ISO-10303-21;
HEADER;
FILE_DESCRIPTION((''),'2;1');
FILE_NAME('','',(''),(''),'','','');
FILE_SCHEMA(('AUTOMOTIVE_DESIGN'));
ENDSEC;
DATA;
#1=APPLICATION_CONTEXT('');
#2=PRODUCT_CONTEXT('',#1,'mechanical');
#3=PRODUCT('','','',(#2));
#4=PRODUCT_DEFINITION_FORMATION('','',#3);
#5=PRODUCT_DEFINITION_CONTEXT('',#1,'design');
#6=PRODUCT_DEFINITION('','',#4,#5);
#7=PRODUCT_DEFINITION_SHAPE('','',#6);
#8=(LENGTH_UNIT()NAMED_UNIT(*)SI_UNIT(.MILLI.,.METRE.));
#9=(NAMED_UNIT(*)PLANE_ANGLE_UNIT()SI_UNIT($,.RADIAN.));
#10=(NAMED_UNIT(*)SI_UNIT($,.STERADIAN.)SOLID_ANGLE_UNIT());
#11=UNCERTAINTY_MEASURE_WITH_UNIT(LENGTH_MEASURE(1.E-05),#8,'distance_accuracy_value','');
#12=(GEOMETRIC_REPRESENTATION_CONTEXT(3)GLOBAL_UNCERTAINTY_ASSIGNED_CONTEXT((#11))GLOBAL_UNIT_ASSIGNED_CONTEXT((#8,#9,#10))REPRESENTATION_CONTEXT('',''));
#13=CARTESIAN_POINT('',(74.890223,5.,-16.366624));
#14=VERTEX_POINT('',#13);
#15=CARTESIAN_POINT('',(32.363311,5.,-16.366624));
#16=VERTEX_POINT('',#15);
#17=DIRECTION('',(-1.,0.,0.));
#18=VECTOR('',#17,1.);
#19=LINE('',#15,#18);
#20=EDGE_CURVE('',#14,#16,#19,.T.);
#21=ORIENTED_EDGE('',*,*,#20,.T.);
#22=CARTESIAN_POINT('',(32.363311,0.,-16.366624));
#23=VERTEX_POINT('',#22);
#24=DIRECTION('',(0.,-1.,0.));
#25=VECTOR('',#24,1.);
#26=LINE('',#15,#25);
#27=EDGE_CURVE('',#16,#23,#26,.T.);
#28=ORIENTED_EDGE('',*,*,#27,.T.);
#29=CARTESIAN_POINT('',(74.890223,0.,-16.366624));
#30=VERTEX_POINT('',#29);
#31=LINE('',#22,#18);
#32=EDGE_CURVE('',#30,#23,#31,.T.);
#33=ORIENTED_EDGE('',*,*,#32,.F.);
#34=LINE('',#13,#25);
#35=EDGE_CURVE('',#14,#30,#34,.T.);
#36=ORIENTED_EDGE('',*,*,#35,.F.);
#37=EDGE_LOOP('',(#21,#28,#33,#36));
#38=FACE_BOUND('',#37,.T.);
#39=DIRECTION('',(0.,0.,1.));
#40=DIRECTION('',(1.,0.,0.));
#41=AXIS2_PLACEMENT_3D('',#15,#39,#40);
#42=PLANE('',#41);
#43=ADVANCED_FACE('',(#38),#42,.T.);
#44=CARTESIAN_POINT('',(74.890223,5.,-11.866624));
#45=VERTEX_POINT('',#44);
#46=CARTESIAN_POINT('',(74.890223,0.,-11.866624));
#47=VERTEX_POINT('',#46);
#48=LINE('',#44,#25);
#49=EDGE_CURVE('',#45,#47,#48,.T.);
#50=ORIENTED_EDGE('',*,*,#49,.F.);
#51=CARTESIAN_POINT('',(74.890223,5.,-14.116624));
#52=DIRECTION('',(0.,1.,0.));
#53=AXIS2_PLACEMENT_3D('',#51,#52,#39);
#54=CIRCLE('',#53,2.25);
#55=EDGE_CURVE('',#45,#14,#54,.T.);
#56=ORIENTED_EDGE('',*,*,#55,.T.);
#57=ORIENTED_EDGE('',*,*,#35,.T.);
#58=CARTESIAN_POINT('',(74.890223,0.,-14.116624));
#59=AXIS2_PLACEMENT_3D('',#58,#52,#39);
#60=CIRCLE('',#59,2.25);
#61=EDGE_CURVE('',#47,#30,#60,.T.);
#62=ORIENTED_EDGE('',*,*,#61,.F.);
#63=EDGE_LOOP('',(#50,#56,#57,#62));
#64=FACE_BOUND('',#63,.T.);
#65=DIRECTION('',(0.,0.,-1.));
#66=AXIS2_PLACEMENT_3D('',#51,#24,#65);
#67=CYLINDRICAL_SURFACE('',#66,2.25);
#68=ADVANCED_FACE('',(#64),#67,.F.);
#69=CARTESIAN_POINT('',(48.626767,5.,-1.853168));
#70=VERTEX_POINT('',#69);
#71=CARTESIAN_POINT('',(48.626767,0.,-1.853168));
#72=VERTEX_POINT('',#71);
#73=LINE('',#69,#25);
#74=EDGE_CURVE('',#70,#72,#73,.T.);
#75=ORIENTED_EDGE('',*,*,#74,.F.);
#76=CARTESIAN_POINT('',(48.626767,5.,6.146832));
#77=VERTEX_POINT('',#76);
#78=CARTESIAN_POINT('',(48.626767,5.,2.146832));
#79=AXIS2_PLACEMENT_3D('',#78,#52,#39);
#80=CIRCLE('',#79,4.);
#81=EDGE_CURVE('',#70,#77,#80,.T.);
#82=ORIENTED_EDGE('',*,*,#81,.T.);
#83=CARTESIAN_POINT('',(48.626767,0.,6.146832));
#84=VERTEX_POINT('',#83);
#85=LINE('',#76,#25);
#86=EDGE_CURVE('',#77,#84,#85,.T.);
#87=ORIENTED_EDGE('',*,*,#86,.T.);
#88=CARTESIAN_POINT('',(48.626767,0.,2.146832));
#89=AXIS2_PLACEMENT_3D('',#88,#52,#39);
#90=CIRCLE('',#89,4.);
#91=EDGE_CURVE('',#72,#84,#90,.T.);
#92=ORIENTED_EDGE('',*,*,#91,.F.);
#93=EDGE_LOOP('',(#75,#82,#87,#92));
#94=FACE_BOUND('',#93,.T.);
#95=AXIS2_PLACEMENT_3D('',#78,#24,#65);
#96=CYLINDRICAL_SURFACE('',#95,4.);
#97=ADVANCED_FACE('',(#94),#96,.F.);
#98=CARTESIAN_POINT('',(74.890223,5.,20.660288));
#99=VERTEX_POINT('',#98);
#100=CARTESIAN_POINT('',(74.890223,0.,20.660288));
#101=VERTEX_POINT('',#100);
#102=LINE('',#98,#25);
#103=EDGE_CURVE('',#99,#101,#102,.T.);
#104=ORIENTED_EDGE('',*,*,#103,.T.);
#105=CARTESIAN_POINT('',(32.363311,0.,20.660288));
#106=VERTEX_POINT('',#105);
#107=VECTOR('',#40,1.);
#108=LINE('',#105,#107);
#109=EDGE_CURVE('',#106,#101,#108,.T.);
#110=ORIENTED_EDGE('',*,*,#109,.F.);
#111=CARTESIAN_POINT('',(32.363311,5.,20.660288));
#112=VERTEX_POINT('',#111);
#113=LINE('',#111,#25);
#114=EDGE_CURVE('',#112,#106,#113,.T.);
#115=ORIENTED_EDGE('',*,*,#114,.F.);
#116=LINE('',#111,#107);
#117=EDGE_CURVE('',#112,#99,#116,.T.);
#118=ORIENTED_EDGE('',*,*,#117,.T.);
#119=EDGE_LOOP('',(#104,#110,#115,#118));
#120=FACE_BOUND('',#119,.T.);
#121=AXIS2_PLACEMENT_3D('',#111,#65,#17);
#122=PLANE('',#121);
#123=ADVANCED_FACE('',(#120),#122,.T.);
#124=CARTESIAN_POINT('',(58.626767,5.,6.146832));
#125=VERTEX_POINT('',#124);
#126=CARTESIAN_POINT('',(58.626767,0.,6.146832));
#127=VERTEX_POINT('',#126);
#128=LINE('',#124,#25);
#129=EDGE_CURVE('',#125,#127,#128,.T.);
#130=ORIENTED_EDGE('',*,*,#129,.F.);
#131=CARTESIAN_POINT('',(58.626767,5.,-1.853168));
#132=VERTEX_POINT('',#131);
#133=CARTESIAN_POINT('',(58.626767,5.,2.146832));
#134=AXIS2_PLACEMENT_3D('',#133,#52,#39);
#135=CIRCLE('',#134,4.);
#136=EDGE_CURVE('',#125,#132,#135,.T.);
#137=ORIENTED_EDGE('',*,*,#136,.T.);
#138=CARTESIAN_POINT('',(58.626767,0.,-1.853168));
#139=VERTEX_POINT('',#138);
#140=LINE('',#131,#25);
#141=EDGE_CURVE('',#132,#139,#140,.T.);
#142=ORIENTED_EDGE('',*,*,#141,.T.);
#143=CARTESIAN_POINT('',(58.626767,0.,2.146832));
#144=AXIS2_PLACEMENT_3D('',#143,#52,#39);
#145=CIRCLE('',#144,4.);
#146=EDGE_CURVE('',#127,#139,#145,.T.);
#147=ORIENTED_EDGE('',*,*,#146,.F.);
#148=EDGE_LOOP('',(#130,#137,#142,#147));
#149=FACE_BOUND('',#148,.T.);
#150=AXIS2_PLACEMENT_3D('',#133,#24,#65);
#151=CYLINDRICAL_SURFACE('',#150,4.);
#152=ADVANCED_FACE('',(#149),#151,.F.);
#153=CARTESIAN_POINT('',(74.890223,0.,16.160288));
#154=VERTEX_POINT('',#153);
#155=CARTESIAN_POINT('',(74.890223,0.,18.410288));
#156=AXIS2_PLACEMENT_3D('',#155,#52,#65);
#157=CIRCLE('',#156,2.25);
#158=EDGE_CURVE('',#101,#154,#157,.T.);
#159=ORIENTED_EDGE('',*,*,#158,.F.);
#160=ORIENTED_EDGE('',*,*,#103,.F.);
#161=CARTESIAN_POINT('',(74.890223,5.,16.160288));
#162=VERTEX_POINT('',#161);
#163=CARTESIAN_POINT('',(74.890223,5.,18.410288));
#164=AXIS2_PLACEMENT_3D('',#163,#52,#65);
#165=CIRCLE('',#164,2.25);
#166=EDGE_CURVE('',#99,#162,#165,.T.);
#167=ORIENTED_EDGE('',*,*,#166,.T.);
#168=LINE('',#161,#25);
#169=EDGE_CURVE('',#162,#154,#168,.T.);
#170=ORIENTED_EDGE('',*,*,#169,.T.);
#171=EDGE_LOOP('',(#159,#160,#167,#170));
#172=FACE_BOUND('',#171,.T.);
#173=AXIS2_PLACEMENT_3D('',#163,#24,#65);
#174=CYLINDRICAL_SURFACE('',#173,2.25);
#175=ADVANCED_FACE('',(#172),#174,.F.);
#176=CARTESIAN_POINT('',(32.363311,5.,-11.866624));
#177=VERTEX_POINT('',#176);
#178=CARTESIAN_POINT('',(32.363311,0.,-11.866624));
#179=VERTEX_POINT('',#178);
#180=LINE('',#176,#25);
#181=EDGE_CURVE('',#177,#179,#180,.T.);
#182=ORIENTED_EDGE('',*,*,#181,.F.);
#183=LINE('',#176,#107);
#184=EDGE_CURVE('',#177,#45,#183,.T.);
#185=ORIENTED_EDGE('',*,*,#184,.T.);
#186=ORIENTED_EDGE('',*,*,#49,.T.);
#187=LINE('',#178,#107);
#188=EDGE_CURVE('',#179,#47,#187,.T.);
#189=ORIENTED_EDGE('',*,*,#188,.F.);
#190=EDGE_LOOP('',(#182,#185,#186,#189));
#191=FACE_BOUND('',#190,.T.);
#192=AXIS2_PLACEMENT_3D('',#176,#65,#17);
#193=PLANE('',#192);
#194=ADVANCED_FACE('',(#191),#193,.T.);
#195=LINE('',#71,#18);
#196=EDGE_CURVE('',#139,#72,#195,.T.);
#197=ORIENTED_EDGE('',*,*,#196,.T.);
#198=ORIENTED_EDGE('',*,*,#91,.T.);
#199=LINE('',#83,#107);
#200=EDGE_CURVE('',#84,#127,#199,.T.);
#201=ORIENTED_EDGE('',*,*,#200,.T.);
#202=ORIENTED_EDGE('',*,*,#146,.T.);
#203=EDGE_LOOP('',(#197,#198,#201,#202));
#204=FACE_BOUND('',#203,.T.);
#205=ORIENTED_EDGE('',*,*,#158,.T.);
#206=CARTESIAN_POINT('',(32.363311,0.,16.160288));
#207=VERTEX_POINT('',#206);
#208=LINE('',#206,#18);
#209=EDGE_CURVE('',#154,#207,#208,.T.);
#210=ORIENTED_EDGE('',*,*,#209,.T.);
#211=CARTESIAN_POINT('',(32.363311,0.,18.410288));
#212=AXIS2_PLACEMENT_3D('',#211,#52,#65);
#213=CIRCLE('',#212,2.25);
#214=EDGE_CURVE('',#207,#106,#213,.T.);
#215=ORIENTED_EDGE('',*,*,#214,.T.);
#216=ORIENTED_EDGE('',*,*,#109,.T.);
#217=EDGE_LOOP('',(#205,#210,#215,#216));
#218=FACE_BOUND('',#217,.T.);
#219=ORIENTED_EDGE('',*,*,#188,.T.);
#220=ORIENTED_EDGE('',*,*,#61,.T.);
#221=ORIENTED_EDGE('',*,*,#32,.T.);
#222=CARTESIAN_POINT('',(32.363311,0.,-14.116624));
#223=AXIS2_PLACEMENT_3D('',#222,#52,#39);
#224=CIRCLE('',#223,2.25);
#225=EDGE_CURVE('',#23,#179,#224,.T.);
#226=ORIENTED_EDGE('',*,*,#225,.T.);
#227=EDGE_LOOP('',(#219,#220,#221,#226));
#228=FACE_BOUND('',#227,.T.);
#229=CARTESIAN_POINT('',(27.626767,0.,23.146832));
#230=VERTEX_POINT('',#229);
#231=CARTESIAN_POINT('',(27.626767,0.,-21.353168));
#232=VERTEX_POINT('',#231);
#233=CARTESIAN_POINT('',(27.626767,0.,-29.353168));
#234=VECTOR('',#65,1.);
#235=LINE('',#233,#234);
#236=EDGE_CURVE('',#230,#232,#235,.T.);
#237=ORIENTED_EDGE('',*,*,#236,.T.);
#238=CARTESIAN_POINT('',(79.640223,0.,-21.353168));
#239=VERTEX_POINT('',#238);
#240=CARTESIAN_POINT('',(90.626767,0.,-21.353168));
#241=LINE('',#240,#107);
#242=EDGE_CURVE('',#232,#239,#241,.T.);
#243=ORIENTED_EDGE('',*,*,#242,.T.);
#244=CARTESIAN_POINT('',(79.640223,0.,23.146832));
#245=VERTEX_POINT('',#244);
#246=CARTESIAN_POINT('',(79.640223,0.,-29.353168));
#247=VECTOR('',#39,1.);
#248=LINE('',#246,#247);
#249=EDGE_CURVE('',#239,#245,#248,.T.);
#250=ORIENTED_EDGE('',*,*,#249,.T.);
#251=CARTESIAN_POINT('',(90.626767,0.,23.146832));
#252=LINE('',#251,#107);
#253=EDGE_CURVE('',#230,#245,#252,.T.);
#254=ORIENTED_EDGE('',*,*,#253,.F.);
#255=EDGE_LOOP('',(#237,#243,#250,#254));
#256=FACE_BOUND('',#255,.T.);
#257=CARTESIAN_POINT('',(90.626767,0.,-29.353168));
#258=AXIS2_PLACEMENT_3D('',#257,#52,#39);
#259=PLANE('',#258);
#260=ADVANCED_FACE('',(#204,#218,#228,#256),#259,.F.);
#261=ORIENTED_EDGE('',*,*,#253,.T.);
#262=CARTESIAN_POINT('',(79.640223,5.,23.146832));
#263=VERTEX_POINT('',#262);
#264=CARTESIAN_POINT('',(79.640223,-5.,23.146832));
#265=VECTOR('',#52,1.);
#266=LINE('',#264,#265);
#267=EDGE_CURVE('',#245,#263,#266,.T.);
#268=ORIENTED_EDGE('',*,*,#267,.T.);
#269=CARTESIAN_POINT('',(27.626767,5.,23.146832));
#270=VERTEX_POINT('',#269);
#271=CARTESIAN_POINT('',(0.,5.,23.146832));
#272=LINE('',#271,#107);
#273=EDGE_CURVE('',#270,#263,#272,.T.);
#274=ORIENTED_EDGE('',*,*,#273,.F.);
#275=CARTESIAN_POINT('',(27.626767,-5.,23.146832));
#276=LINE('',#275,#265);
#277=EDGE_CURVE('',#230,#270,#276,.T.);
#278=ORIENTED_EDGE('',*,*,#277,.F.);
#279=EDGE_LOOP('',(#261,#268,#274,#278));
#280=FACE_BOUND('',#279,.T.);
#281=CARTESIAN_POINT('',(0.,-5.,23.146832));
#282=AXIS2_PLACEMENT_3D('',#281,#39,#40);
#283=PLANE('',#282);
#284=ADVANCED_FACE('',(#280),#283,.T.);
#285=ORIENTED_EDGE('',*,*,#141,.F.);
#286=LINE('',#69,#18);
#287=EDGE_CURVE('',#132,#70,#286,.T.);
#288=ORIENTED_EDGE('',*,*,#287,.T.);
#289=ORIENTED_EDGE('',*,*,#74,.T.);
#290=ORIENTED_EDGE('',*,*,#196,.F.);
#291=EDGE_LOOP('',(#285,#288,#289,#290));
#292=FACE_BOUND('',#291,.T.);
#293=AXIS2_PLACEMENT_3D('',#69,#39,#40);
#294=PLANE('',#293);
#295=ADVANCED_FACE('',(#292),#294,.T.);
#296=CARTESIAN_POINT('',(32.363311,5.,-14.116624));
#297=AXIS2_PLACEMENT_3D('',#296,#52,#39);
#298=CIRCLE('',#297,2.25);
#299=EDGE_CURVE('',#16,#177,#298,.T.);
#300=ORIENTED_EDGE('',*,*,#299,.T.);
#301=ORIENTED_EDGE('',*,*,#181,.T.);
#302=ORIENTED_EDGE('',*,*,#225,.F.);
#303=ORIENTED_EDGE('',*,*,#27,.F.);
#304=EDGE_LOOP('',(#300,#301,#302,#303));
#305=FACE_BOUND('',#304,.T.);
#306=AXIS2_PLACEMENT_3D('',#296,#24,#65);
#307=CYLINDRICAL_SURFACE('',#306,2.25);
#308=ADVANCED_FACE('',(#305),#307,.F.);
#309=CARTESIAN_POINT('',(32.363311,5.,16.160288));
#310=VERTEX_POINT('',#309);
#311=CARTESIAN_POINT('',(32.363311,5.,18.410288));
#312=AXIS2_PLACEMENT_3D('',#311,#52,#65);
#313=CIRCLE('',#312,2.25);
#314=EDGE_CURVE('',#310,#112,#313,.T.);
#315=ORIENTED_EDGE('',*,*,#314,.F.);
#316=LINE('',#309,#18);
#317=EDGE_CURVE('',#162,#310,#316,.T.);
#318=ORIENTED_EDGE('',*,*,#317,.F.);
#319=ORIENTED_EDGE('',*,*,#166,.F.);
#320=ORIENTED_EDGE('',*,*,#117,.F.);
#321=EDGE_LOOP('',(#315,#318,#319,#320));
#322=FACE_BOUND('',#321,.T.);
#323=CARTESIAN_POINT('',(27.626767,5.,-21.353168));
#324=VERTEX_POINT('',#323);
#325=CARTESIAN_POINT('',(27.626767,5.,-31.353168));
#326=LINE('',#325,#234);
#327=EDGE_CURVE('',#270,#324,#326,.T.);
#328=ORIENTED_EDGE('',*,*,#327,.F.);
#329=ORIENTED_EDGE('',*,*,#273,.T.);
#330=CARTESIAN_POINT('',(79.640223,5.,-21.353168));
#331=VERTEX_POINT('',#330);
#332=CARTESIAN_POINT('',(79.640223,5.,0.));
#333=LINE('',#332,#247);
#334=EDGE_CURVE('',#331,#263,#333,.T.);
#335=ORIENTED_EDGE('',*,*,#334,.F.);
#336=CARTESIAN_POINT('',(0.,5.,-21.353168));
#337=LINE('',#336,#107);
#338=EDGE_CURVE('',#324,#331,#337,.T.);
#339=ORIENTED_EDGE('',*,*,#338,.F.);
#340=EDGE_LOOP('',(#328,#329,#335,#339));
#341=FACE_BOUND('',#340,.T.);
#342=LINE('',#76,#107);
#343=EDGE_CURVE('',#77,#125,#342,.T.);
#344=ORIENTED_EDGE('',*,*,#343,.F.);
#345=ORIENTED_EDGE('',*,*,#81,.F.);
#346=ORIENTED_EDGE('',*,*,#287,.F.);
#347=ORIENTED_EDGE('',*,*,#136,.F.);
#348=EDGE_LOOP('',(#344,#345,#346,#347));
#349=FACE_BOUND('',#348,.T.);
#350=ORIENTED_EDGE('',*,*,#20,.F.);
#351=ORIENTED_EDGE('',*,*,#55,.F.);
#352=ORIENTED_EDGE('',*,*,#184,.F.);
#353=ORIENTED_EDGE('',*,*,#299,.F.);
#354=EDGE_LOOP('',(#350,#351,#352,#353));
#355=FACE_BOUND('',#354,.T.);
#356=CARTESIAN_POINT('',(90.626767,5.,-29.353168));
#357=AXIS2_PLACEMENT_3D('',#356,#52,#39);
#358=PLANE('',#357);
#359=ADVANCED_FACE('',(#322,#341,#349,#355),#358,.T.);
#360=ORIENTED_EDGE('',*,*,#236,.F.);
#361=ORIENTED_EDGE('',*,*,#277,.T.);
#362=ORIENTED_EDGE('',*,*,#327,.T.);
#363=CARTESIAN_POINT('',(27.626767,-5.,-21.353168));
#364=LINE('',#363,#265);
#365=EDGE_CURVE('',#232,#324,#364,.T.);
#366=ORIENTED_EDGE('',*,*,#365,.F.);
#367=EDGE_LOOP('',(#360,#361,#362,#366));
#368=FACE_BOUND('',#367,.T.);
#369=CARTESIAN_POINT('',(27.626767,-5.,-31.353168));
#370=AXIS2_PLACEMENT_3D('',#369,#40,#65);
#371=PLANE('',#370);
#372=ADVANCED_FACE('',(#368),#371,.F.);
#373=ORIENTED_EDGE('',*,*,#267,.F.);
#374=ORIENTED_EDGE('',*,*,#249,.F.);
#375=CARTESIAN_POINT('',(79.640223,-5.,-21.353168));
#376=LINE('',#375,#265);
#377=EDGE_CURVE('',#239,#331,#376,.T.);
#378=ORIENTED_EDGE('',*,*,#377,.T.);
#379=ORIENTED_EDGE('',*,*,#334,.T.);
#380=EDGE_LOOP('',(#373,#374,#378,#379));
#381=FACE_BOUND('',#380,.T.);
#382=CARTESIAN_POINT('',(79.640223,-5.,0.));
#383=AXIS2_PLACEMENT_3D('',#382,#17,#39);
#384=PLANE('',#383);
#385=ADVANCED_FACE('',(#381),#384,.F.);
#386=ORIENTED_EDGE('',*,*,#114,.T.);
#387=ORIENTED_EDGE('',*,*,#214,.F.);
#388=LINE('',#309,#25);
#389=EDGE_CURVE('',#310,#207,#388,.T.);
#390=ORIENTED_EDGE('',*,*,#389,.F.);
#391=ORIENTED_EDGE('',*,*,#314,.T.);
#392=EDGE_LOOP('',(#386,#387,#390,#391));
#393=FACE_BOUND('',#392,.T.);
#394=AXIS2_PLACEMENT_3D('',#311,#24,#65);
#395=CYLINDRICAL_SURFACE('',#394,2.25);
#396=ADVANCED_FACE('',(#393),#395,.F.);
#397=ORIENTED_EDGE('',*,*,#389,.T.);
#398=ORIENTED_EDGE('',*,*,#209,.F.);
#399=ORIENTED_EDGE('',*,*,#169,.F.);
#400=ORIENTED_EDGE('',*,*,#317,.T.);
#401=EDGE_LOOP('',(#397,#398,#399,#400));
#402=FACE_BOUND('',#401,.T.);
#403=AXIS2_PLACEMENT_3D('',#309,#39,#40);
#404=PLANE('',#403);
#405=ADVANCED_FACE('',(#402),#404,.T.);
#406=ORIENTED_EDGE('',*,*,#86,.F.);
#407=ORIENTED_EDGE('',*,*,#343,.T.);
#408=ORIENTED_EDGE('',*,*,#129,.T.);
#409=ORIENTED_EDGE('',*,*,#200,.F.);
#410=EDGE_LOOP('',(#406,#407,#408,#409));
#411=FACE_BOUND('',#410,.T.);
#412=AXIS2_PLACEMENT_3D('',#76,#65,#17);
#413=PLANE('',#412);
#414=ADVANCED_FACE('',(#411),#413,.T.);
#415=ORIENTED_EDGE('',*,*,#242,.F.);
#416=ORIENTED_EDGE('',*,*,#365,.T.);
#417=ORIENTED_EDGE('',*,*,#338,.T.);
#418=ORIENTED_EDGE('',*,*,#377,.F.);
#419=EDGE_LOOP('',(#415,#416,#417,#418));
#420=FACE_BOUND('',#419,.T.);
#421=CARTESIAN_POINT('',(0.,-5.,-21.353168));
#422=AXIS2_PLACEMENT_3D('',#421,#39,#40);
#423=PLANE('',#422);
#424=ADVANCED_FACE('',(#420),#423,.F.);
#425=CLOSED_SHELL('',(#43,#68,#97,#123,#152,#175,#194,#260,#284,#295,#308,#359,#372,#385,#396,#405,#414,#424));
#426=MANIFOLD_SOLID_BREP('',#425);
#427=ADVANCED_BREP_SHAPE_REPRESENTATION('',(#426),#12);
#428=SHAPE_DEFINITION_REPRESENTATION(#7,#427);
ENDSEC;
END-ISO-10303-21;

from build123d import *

# Parameters (mm, degrees)
SKETCH1_R           = 4
BOSS_EXTRUDE1_DEPTH = 5
CUT_EXTRUDE1_DEPTH  = 10
CUT_EXTRUDE2_DEPTH  = 10
CUT_EXTRUDE5_START  = -75
SKETCH5_R           = 1.6
CUT_EXTRUDE5_DEPTH  = 10
SKETCH6_W           = 85
SKETCH6_H           = 75
CUT_EXTRUDE6_DEPTH  = 10
SKETCH7_W           = 65
SKETCH7_H           = 15
CUT_EXTRUDE7_DEPTH  = 10
SKETCH8_W           = 12.986544032
SKETCH8_H           = 50
CUT_EXTRUDE8_DEPTH  = 10
SKETCH9_W           = 52.013455968
SKETCH9_H           = 5.5
CUT_EXTRUDE9_DEPTH  = 10


with BuildPart() as part:
    # Sketch1 → Boss-Extrude1 (new body)
    with BuildSketch(Plane(origin=(0, 0, 0), x_dir=(1, 0, 0), z_dir=(0, 1, 0))):
        with BuildLine():
            Line((-57.373232891, 17.353168425), (-57.373232891, -35.646831575))
            Line((-57.373232891, -35.646831575), (-57.373232891, -43.646831575))
            Line((-57.373232891, -43.646831575), (92.626767109, -43.646831575))
            Line((92.626767109, -43.646831575), (92.626767109, -35.646831575))
            Line((92.626767109, -35.646831575), (92.626767109, 29.353168425))
            ThreePointArc((92.626767109, 29.353168425), (92.040980672, 30.767381987), (90.626767109, 31.353168425))
            Line((90.626767109, 31.353168425), (26.626767109, 31.353168425))
            Line((26.626767109, 31.353168425), (-57.373232891, 31.353168425))
            Line((-57.373232891, 31.353168425), (-57.373232891, 17.353168425))
        make_face()
        with Locations((-25.373232891, -2.646831575)):
            Circle(SKETCH1_R, mode=Mode.SUBTRACT)
        with BuildLine():
            Line((32.363311142, 16.366624392), (74.890223077, 16.366624392))
            ThreePointArc((74.890223077, 16.366624392), (77.140223077, 14.116624392), (74.890223077, 11.866624392))
            Line((74.890223077, 11.866624392), (32.363311142, 11.866624392))
            ThreePointArc((32.363311142, 11.866624392), (30.113311142, 14.116624392), (32.363311142, 16.366624392))
        make_face(mode=Mode.SUBTRACT)
        with BuildLine():
            Line((32.363311142, -20.660287542), (74.890223077, -20.660287542))
            ThreePointArc((74.890223077, -20.660287542), (77.140223077, -18.410287542), (74.890223077, -16.160287542))
            Line((74.890223077, -16.160287542), (32.363311142, -16.160287542))
            ThreePointArc((32.363311142, -16.160287542), (30.113311142, -18.410287542), (32.363311142, -20.660287542))
        make_face(mode=Mode.SUBTRACT)
        with BuildLine():
            Line((48.626767109, 1.853168425), (58.626767109, 1.853168425))
            ThreePointArc((58.626767109, 1.853168425), (62.626767109, -2.146831575), (58.626767109, -6.146831575))
            Line((58.626767109, -6.146831575), (48.626767109, -6.146831575))
            ThreePointArc((48.626767109, -6.146831575), (44.626767109, -2.146831575), (48.626767109, 1.853168425))
        make_face(mode=Mode.SUBTRACT)
    extrude(amount=BOSS_EXTRUDE1_DEPTH)

    # Sketch2 → Cut-Extrude1 (cut)
    with BuildSketch(Plane(origin=(0, 5, 0), x_dir=(1, 0, 0), z_dir=(0, 1, 0))):
        with BuildLine():
            Line((-47.394048171, 11.623983705), (-13.35241761, 11.623983705))
            ThreePointArc((-13.35241761, 11.623983705), (-11.10241761, 9.373983705), (-13.35241761, 7.123983705))
            Line((-13.35241761, 7.123983705), (-47.394048171, 7.123983705))
            ThreePointArc((-47.394048171, 7.123983705), (-49.644048171, 9.373983705), (-47.394048171, 11.623983705))
        make_face()
        with BuildLine():
            Line((-47.394048171, -16.917646855), (-13.35241761, -16.917646855))
            ThreePointArc((-13.35241761, -16.917646855), (-11.10241761, -14.667646855), (-13.35241761, -12.417646855))
            Line((-13.35241761, -12.417646855), (-47.394048171, -12.417646855))
            ThreePointArc((-47.394048171, -12.417646855), (-49.644048171, -14.667646855), (-47.394048171, -16.917646855))
        make_face()
        with BuildLine():
            Line((-35.373232891, 1.353168425), (-25.373232891, 1.353168425))
            ThreePointArc((-25.373232891, 1.353168425), (-21.373232891, -2.646831575), (-25.373232891, -6.646831575))
            Line((-25.373232891, -6.646831575), (-35.373232891, -6.646831575))
            ThreePointArc((-35.373232891, -6.646831575), (-39.373232891, -2.646831575), (-35.373232891, 1.353168425))
        make_face()
    extrude(amount=-CUT_EXTRUDE1_DEPTH, mode=Mode.SUBTRACT)

    # Sketch3 → Cut-Extrude2 (cut)
    with BuildSketch(Plane(origin=(0, 5, 0), x_dir=(1, 0, 0), z_dir=(0, 1, 0))):
        with BuildLine():
            Line((21.749403979, 13.353168425), (21.749403979, 3.353168425))
            ThreePointArc((21.749403979, 3.353168425), (17.749403979, -0.646831575), (13.749403979, 3.353168425))
            Line((13.749403979, 3.353168425), (13.749403979, 13.353168425))
            ThreePointArc((13.749403979, 13.353168425), (17.749403979, 17.353168425), (21.749403979, 13.353168425))
        make_face()
        with BuildLine():
            Line((21.749403979, -14.646831575), (21.749403979, -24.646831575))
            ThreePointArc((21.749403979, -24.646831575), (17.749403979, -28.646831575), (13.749403979, -24.646831575))
            Line((13.749403979, -24.646831575), (13.749403979, -14.646831575))
            ThreePointArc((13.749403979, -14.646831575), (17.749403979, -10.646831575), (21.749403979, -14.646831575))
        make_face()
    extrude(amount=-CUT_EXTRUDE2_DEPTH, mode=Mode.SUBTRACT)

    # Sketch5 → Cut-Extrude5 (cut)
    with BuildSketch(Plane.XY.offset(43.646831575).offset(CUT_EXTRUDE5_START)):
        with Locations((-47.373232891, 2.5)):
            Circle(SKETCH5_R)
        with Locations((82.626767109, 2.5)):
            Circle(SKETCH5_R)
    extrude(amount=CUT_EXTRUDE5_DEPTH, mode=Mode.SUBTRACT)

    # Sketch6 → Cut-Extrude6 (cut)
    with BuildSketch(Plane(origin=(0, 5, 0), x_dir=(1, 0, 0), z_dir=(0, 1, 0))):
        with Locations((-14.873232891, -6.146831575)):
            Rectangle(SKETCH6_W, SKETCH6_H)
    extrude(amount=-CUT_EXTRUDE6_DEPTH, mode=Mode.SUBTRACT)

    # Sketch7 → Cut-Extrude7 (cut)
    with BuildSketch(Plane(origin=(0, 5, 0), x_dir=(1, 0, 0), z_dir=(0, 1, 0))):
        with Locations((60.126767109, -36.146831575)):
            Rectangle(SKETCH7_W, SKETCH7_H)
    extrude(amount=-CUT_EXTRUDE7_DEPTH, mode=Mode.SUBTRACT)

    # Sketch8 → Cut-Extrude8 (cut)
    with BuildSketch(Plane(origin=(0, 5, 0), x_dir=(1, 0, 0), z_dir=(0, 1, 0))):
        with BuildLine():
            Line((90.626767109, 31.353168425), (27.626767109, 31.353168425))
            Line((27.626767109, 31.353168425), (27.626767109, 21.353168425))
            Line((27.626767109, 21.353168425), (79.640223077, 21.353168425))
            Line((79.640223077, 21.353168425), (92.626767109, 21.353168425))
            Line((92.626767109, 21.353168425), (92.626767109, 29.353168425))
            ThreePointArc((92.626767109, 29.353168425), (92.040980672, 30.767381987), (90.626767109, 31.353168425))
        make_face()
        with Locations((86.133495093, -3.646831575)):
            Rectangle(SKETCH8_W, SKETCH8_H)
    extrude(amount=-CUT_EXTRUDE8_DEPTH, mode=Mode.SUBTRACT)

    # Sketch9 → Cut-Extrude9 (cut)
    with BuildSketch(Plane(origin=(0, 5, 0), x_dir=(1, 0, 0), z_dir=(0, 1, 0))):
        with Locations((53.633495093, -25.896831575)):
            Rectangle(SKETCH9_W, SKETCH9_H)
    extrude(amount=-CUT_EXTRUDE9_DEPTH, mode=Mode.SUBTRACT)


solid = part.part
